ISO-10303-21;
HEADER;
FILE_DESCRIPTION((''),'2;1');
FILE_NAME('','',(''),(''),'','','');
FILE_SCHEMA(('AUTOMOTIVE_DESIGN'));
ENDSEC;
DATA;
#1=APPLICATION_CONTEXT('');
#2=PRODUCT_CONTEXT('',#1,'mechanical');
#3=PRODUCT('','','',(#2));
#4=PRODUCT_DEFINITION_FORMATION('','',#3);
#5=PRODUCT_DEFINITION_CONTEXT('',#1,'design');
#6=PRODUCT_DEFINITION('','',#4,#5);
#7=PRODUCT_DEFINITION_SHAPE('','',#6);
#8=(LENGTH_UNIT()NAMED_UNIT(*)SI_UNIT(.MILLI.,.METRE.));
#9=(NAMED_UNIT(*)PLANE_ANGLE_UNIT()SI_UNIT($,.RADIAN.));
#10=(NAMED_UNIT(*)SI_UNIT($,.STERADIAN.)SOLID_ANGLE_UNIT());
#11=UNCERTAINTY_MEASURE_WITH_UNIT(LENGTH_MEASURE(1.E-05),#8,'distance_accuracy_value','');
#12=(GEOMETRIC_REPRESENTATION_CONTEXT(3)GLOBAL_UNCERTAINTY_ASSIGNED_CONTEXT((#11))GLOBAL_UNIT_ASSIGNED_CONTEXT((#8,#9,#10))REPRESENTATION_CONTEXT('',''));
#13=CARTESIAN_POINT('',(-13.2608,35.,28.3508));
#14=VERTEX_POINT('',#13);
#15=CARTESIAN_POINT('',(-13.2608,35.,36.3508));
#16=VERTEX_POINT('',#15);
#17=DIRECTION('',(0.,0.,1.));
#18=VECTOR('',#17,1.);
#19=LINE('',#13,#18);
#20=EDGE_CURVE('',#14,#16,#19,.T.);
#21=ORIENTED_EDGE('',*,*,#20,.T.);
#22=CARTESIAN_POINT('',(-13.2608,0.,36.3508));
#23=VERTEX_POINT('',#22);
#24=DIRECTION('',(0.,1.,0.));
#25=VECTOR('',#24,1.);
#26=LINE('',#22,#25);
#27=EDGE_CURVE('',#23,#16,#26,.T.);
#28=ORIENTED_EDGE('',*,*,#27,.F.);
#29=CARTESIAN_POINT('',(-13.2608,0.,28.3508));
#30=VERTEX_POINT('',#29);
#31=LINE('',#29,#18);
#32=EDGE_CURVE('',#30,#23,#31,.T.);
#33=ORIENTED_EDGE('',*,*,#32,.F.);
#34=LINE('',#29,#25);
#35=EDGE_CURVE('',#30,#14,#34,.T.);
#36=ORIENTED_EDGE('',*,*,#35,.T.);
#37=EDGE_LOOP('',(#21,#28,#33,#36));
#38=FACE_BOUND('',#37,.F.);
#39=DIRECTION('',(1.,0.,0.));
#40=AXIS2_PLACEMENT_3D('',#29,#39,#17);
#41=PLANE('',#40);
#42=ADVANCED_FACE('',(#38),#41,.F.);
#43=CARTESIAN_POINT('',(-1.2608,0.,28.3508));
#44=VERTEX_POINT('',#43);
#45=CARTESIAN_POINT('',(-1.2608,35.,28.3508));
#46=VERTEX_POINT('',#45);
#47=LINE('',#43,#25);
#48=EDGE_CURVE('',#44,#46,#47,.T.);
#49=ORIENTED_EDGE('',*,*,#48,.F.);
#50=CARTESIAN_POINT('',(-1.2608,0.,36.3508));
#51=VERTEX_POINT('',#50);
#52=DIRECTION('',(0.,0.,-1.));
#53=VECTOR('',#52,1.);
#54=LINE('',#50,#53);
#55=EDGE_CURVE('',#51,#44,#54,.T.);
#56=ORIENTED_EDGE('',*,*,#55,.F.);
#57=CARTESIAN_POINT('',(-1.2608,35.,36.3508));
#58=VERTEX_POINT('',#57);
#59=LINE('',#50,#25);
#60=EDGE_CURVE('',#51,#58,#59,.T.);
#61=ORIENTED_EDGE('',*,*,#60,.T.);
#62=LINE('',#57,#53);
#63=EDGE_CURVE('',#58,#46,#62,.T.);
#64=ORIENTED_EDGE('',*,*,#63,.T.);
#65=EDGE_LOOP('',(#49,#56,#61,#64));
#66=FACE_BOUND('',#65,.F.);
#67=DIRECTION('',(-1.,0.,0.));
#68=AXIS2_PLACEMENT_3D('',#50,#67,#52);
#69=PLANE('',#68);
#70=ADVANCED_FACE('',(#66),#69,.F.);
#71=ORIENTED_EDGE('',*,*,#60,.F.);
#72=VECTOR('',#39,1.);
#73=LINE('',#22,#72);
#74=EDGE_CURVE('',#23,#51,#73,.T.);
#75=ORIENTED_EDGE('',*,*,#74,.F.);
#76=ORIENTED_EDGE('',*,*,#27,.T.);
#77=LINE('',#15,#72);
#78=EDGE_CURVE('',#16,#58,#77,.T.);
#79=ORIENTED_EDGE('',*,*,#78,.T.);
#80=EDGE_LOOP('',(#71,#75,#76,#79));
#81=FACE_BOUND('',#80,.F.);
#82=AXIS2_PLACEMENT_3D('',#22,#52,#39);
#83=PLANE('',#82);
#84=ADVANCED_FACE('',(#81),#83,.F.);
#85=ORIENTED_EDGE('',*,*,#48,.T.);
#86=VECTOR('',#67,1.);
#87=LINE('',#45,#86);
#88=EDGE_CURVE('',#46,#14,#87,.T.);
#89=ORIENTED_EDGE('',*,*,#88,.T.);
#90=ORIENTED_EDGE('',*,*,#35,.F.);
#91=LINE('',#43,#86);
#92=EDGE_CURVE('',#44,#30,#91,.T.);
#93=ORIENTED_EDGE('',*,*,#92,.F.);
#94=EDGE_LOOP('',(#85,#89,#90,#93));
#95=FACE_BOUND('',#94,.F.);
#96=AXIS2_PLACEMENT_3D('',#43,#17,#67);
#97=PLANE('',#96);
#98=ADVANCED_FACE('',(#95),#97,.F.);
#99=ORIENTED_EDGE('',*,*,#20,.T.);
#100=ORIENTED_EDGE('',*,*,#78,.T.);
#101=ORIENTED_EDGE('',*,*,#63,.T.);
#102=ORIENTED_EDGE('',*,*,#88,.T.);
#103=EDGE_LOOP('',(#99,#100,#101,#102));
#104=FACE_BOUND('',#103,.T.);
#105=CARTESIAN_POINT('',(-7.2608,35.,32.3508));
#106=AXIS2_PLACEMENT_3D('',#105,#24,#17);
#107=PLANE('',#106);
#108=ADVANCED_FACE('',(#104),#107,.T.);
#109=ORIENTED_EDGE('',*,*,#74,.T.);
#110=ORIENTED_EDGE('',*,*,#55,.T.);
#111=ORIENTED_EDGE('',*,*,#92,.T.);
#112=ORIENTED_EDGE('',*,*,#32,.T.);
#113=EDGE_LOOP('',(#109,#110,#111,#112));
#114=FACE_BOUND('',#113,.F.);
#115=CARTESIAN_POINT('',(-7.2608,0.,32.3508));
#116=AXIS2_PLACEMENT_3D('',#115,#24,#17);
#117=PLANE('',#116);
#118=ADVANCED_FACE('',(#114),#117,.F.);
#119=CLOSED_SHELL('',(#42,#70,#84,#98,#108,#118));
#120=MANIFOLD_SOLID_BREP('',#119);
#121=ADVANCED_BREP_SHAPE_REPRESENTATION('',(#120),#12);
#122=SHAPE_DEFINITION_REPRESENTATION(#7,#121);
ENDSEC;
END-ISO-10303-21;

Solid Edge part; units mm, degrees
sketch "Sketch1" plane through (0, 0, 0) normal (0, -1, 0) x (1, 0, 0)
  line L0 (-1.2608, 28.3508) -> (-13.2608, 28.3508)
  line L1 (-13.2608, 28.3508) -> (-13.2608, 36.3508)
  line L2 (-13.2608, 36.3508) -> (-1.2608, 36.3508)
  line L3 (-1.2608, 36.3508) -> (-1.2608, 28.3508)
extrude "Protrusion1" add sketch "Sketch1" against normal blind 35
